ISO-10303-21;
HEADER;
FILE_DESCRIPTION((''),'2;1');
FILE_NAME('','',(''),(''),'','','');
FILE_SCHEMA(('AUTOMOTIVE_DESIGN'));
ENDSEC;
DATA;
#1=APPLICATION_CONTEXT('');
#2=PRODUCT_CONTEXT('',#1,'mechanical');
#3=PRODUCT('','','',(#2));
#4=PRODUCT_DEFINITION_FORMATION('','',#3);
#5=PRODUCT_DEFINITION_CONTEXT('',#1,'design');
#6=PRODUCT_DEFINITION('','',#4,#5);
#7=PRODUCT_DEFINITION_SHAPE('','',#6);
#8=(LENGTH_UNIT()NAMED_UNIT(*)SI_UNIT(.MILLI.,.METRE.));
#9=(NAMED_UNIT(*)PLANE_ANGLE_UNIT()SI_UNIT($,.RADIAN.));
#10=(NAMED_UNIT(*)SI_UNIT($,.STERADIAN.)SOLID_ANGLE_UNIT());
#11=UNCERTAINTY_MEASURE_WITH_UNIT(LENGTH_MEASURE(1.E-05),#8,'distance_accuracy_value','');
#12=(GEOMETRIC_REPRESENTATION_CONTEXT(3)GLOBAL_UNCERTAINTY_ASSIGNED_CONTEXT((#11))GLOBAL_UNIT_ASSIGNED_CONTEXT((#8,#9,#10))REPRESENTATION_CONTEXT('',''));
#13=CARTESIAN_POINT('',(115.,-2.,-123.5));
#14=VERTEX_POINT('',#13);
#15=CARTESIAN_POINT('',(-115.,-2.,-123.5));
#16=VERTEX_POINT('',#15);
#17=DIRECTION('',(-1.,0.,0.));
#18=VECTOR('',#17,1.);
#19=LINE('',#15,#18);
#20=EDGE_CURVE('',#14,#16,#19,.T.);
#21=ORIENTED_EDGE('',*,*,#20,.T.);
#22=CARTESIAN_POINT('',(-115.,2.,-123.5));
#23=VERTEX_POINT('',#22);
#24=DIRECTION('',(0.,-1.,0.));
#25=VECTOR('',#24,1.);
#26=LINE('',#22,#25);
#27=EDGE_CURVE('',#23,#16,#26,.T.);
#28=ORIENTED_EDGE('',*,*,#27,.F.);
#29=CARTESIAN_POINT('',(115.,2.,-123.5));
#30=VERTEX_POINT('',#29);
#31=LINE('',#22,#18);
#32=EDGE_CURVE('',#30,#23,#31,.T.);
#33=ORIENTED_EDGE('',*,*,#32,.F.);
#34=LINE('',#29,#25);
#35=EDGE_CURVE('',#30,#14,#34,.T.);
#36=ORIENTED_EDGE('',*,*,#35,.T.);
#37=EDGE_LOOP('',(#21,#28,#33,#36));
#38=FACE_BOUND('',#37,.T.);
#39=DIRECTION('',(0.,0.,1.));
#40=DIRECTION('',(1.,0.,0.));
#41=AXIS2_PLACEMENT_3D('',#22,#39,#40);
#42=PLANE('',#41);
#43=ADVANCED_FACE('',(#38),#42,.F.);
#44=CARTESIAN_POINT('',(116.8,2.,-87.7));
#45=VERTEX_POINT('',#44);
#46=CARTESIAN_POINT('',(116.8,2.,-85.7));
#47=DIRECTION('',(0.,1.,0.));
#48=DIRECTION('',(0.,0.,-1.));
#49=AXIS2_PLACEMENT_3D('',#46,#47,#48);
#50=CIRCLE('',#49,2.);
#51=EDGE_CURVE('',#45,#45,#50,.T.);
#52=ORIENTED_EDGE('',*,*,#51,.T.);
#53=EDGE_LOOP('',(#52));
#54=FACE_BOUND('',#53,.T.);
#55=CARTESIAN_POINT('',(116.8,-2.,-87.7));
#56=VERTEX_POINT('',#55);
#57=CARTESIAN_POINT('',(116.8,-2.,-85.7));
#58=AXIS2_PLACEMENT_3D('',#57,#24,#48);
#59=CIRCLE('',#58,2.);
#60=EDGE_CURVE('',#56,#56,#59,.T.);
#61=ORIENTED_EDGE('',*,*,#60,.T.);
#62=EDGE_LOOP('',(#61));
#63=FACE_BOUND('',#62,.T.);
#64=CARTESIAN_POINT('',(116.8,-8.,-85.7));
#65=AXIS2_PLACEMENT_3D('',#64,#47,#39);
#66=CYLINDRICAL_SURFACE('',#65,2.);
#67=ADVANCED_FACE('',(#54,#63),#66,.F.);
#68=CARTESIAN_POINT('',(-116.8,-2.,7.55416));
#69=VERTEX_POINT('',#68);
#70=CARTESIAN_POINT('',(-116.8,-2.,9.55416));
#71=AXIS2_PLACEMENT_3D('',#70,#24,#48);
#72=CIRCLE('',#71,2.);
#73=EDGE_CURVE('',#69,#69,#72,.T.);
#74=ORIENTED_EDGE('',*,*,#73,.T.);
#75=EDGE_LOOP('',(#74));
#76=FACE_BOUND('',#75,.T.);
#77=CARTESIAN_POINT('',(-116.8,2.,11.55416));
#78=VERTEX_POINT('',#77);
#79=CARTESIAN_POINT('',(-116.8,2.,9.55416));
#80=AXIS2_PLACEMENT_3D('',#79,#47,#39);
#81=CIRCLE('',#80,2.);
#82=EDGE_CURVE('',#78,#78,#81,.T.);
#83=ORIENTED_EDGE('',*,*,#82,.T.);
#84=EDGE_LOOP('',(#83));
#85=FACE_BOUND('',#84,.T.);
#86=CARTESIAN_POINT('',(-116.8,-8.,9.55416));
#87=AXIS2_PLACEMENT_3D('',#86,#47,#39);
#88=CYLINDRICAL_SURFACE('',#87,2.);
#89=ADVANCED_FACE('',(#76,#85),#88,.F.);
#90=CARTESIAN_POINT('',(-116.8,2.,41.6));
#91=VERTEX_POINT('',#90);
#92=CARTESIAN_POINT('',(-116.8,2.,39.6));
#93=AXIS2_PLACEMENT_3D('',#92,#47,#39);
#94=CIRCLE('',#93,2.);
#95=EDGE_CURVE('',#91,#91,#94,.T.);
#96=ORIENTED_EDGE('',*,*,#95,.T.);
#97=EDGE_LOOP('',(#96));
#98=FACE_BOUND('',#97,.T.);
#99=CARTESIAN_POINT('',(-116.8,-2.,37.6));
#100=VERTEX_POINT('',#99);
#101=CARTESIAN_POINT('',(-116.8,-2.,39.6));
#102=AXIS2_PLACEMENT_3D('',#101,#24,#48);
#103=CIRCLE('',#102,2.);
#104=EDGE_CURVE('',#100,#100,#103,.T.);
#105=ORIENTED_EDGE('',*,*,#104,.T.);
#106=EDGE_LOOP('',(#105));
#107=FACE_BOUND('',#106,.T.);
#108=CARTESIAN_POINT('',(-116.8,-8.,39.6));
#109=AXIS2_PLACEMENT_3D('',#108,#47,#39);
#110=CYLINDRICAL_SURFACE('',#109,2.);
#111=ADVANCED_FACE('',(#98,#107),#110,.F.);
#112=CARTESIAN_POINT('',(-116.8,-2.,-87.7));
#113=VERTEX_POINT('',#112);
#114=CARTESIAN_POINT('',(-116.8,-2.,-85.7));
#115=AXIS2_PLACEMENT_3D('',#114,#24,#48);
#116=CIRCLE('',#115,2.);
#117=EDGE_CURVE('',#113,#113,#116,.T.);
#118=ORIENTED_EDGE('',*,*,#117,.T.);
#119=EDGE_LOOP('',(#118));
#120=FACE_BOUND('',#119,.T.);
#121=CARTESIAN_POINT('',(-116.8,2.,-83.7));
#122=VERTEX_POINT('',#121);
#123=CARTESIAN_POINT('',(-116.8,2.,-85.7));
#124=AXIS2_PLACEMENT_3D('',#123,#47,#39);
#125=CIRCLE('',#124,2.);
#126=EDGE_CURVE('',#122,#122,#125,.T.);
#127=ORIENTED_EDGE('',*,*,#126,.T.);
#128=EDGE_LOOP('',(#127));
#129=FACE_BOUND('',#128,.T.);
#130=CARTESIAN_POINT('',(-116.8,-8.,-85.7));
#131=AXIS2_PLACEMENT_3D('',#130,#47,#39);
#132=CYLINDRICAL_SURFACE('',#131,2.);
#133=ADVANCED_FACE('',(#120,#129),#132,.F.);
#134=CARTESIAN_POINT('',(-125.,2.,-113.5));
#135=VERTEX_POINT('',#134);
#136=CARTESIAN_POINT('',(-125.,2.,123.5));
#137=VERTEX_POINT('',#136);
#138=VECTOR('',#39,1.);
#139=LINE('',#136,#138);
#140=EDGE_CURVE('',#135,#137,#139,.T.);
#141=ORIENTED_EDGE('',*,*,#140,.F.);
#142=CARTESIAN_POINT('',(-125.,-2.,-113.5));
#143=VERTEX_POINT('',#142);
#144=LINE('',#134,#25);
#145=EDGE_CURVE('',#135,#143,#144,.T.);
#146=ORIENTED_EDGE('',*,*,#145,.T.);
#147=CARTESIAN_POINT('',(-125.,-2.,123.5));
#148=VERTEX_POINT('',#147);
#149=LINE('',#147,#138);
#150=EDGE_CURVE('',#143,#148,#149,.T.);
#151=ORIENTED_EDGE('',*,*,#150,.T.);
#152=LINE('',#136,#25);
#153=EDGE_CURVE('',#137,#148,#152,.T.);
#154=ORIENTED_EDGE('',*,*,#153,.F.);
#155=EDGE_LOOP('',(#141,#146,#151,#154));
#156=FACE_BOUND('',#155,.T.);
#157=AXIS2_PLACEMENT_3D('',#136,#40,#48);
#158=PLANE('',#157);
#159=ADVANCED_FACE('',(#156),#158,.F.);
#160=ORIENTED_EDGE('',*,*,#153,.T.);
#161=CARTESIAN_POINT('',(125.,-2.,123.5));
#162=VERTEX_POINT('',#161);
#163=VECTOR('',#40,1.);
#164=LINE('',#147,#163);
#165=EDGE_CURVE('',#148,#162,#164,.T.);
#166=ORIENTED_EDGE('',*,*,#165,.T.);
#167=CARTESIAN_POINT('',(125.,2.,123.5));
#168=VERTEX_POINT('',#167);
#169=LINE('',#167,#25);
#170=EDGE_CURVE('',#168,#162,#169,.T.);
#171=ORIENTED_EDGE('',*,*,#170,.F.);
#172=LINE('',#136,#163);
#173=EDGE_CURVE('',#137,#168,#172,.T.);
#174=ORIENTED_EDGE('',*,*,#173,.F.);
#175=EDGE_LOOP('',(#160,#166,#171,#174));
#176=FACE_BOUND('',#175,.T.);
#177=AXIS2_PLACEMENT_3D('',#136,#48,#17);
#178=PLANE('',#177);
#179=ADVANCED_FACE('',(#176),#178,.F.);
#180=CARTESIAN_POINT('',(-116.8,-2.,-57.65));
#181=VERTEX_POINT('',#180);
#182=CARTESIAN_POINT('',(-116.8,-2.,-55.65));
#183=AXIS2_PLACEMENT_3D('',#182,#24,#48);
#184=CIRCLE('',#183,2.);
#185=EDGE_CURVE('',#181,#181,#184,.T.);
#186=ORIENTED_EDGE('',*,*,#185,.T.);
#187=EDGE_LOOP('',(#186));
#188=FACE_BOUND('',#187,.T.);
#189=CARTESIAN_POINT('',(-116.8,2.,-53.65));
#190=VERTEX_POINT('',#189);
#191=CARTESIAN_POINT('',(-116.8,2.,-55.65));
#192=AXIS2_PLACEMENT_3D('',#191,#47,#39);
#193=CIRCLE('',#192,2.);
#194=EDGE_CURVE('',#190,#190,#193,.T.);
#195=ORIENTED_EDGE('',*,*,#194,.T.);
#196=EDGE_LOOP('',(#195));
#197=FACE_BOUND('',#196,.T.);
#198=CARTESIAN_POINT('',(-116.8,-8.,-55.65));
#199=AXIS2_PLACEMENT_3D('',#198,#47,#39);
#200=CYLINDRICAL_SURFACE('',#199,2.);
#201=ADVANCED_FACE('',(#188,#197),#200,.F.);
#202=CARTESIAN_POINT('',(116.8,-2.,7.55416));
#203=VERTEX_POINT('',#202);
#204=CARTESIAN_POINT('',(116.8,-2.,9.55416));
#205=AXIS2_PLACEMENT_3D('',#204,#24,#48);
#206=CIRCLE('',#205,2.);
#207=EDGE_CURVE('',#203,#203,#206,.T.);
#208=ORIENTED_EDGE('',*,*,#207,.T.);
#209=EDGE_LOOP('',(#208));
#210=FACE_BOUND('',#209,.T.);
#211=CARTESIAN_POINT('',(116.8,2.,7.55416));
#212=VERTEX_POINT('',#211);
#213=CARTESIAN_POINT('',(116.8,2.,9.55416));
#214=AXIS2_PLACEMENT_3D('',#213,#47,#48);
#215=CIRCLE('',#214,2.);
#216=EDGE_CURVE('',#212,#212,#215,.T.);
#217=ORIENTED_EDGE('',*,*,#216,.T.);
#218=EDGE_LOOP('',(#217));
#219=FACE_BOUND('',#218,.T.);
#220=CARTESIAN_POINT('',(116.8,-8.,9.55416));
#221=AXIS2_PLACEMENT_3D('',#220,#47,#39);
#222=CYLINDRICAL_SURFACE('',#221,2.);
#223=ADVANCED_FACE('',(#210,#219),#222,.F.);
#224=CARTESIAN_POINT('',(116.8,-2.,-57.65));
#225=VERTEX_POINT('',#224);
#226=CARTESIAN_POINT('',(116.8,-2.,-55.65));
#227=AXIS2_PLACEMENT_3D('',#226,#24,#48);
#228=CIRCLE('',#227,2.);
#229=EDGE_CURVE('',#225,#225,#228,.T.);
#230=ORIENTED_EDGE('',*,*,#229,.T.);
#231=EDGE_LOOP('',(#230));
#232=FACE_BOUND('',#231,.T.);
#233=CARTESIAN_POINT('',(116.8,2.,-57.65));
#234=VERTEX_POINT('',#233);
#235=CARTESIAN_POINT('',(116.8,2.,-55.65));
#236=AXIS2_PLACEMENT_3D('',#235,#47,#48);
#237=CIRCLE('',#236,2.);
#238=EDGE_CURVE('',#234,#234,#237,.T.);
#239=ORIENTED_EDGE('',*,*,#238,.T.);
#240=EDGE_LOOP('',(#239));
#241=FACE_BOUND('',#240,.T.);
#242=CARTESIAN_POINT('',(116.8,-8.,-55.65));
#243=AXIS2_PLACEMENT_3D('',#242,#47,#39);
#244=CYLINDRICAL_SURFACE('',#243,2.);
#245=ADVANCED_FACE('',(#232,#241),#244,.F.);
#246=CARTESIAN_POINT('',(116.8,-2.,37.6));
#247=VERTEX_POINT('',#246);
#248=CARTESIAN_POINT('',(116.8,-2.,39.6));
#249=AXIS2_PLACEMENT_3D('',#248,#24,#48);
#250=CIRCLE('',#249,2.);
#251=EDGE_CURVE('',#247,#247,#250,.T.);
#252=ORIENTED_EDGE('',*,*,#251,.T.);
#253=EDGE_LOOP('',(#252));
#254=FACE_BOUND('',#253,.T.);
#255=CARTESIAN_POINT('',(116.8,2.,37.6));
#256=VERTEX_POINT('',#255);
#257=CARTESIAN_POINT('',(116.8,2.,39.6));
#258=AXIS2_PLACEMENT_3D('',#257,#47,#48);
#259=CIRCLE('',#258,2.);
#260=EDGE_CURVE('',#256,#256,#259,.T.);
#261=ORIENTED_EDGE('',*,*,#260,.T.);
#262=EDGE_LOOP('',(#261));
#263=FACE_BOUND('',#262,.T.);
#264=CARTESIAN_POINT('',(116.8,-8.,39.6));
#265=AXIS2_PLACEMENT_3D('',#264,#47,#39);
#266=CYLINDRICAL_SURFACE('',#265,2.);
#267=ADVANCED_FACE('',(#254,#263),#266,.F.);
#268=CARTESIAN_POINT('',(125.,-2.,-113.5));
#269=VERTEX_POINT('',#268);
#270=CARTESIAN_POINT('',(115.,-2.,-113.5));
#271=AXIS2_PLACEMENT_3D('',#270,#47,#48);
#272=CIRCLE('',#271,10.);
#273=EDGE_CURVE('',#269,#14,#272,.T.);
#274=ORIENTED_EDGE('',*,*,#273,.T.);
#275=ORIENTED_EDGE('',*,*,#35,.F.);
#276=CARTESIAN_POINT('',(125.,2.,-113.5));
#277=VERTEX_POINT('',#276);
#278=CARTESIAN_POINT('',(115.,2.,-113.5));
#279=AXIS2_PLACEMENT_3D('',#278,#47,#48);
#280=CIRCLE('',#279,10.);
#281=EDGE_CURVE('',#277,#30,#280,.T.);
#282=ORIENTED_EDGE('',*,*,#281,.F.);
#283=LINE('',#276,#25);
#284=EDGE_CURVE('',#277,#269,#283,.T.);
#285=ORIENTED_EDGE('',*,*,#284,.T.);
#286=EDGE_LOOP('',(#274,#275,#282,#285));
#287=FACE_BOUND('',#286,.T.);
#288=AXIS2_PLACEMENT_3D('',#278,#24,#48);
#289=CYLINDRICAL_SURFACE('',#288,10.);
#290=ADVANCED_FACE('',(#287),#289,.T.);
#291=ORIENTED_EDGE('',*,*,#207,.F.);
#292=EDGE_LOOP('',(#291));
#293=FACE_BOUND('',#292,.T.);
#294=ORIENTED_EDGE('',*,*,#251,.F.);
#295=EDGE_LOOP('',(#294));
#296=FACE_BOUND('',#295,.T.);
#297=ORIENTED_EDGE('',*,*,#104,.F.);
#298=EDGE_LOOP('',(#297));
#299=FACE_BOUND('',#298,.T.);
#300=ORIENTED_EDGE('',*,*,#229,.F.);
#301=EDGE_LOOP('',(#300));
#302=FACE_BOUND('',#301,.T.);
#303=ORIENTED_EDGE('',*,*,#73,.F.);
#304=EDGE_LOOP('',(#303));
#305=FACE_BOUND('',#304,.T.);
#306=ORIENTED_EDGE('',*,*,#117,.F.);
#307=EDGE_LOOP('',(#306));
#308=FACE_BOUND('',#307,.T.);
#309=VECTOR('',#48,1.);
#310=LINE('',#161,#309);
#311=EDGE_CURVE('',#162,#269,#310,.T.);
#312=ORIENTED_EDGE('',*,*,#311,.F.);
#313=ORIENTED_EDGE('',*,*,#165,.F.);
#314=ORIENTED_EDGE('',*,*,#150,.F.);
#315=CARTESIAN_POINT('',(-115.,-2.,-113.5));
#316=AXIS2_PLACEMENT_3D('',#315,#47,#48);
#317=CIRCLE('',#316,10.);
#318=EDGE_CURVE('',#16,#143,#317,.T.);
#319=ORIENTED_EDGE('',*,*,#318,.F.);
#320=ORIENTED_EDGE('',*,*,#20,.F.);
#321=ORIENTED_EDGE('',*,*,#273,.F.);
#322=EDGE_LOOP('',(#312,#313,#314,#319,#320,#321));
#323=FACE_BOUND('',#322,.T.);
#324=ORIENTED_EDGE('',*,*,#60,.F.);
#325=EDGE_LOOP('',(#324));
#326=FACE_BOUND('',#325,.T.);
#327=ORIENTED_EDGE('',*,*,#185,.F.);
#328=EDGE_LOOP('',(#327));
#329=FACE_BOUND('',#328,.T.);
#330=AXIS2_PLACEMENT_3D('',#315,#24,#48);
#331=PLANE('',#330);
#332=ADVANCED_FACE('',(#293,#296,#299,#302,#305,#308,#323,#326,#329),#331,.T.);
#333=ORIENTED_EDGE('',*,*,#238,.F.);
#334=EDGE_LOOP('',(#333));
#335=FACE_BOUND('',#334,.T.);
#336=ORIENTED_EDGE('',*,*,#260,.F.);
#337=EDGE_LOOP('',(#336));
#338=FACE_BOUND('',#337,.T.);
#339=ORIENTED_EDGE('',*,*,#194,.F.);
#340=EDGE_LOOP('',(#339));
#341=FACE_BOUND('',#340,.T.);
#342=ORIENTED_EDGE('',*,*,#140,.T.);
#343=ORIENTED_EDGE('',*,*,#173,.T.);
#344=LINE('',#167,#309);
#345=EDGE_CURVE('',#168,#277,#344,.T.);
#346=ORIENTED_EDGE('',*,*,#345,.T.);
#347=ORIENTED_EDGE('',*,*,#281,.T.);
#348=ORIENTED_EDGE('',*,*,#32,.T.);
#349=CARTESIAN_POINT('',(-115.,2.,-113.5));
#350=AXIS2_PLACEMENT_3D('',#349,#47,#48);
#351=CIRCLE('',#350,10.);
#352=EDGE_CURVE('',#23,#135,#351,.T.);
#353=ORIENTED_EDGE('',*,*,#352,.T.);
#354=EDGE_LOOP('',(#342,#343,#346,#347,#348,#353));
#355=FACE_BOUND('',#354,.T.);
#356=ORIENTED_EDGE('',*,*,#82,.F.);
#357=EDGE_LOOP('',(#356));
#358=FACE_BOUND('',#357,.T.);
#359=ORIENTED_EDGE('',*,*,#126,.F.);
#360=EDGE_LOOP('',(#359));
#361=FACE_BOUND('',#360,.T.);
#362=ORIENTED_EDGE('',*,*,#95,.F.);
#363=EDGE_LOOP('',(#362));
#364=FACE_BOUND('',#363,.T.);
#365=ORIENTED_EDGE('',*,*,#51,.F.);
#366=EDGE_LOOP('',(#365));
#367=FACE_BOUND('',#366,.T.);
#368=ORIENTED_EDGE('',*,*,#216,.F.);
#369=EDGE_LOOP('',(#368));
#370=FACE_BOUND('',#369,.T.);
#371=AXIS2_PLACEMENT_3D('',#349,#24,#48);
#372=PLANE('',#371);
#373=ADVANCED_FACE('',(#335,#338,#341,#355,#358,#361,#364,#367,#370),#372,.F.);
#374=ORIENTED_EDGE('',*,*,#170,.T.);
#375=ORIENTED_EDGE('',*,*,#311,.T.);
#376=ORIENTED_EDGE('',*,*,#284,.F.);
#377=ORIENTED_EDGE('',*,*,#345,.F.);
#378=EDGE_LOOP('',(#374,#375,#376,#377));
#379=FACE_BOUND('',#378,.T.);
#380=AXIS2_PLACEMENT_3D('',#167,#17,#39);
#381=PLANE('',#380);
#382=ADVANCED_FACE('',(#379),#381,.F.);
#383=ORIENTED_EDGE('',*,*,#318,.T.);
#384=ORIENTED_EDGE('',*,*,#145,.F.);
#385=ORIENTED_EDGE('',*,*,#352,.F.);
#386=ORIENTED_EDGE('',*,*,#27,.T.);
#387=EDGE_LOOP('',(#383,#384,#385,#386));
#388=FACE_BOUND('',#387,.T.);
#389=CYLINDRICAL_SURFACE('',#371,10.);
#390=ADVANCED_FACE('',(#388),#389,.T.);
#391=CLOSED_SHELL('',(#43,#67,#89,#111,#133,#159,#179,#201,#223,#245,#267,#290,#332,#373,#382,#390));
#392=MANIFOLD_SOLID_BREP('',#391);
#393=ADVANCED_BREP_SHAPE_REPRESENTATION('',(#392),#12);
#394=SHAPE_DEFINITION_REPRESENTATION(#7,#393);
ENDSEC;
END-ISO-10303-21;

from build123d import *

# Parameters (mm, degrees)
SALIENTE_EXTRUIR1_DEPTH = 2
CROQUIS2_R              = 2
CORTAR_EXTRUIR1_DEPTH   = 10


with BuildPart() as part:
    # Croquis1 → Saliente-Extruir1 (new, symmetric)
    with BuildSketch(Plane(origin=(0, 0, 0), x_dir=(1, 0, 0), z_dir=(0, 1, 0))):
        with BuildLine():
            Line((-125, -123.5), (125, -123.5))
            Line((125, -123.5), (125, 113.5))
            ThreePointArc((125, 113.5), (122.071067812, 120.571067812), (115, 123.5))
            Line((115, 123.5), (-115, 123.5))
            ThreePointArc((-115, 123.5), (-122.071067812, 120.571067812), (-125, 113.5))
            Line((-125, 113.5), (-125, -123.5))
        make_face()
    extrude(amount=SALIENTE_EXTRUIR1_DEPTH, both=True)

    # Croquis2 → Cortar-Extruir1 (cut)
    with BuildSketch(Plane(origin=(0, 2, 0), x_dir=(1, 0, 0), z_dir=(0, 1, 0))):
        with Locations(Location((-116.8, 85.7, 0), (0, 0, 270))):
            Circle(CROQUIS2_R)
        with Locations(Location((-116.8, 55.65, 0), (0, 0, 270))):
            Circle(CROQUIS2_R)
        with Locations(Location((-116.8, -9.554160022, 0), (0, 0, 270))):
            Circle(CROQUIS2_R)
        with Locations(Location((-116.8, -39.6, 0), (0, 0, 270))):
            Circle(CROQUIS2_R)
        with Locations(Location((116.8, -39.6, 0), (0, 0, 90))):
            Circle(CROQUIS2_R)
        with Locations(Location((116.8, -9.554160022, 0), (0, 0, 90))):
            Circle(CROQUIS2_R)
        with Locations(Location((116.8, 55.65, 0), (0, 0, 90))):
            Circle(CROQUIS2_R)
        with Locations(Location((116.8, 85.7, 0), (0, 0, 90))):
            Circle(CROQUIS2_R)
    extrude(amount=-CORTAR_EXTRUIR1_DEPTH, mode=Mode.SUBTRACT)


solid = part.part
